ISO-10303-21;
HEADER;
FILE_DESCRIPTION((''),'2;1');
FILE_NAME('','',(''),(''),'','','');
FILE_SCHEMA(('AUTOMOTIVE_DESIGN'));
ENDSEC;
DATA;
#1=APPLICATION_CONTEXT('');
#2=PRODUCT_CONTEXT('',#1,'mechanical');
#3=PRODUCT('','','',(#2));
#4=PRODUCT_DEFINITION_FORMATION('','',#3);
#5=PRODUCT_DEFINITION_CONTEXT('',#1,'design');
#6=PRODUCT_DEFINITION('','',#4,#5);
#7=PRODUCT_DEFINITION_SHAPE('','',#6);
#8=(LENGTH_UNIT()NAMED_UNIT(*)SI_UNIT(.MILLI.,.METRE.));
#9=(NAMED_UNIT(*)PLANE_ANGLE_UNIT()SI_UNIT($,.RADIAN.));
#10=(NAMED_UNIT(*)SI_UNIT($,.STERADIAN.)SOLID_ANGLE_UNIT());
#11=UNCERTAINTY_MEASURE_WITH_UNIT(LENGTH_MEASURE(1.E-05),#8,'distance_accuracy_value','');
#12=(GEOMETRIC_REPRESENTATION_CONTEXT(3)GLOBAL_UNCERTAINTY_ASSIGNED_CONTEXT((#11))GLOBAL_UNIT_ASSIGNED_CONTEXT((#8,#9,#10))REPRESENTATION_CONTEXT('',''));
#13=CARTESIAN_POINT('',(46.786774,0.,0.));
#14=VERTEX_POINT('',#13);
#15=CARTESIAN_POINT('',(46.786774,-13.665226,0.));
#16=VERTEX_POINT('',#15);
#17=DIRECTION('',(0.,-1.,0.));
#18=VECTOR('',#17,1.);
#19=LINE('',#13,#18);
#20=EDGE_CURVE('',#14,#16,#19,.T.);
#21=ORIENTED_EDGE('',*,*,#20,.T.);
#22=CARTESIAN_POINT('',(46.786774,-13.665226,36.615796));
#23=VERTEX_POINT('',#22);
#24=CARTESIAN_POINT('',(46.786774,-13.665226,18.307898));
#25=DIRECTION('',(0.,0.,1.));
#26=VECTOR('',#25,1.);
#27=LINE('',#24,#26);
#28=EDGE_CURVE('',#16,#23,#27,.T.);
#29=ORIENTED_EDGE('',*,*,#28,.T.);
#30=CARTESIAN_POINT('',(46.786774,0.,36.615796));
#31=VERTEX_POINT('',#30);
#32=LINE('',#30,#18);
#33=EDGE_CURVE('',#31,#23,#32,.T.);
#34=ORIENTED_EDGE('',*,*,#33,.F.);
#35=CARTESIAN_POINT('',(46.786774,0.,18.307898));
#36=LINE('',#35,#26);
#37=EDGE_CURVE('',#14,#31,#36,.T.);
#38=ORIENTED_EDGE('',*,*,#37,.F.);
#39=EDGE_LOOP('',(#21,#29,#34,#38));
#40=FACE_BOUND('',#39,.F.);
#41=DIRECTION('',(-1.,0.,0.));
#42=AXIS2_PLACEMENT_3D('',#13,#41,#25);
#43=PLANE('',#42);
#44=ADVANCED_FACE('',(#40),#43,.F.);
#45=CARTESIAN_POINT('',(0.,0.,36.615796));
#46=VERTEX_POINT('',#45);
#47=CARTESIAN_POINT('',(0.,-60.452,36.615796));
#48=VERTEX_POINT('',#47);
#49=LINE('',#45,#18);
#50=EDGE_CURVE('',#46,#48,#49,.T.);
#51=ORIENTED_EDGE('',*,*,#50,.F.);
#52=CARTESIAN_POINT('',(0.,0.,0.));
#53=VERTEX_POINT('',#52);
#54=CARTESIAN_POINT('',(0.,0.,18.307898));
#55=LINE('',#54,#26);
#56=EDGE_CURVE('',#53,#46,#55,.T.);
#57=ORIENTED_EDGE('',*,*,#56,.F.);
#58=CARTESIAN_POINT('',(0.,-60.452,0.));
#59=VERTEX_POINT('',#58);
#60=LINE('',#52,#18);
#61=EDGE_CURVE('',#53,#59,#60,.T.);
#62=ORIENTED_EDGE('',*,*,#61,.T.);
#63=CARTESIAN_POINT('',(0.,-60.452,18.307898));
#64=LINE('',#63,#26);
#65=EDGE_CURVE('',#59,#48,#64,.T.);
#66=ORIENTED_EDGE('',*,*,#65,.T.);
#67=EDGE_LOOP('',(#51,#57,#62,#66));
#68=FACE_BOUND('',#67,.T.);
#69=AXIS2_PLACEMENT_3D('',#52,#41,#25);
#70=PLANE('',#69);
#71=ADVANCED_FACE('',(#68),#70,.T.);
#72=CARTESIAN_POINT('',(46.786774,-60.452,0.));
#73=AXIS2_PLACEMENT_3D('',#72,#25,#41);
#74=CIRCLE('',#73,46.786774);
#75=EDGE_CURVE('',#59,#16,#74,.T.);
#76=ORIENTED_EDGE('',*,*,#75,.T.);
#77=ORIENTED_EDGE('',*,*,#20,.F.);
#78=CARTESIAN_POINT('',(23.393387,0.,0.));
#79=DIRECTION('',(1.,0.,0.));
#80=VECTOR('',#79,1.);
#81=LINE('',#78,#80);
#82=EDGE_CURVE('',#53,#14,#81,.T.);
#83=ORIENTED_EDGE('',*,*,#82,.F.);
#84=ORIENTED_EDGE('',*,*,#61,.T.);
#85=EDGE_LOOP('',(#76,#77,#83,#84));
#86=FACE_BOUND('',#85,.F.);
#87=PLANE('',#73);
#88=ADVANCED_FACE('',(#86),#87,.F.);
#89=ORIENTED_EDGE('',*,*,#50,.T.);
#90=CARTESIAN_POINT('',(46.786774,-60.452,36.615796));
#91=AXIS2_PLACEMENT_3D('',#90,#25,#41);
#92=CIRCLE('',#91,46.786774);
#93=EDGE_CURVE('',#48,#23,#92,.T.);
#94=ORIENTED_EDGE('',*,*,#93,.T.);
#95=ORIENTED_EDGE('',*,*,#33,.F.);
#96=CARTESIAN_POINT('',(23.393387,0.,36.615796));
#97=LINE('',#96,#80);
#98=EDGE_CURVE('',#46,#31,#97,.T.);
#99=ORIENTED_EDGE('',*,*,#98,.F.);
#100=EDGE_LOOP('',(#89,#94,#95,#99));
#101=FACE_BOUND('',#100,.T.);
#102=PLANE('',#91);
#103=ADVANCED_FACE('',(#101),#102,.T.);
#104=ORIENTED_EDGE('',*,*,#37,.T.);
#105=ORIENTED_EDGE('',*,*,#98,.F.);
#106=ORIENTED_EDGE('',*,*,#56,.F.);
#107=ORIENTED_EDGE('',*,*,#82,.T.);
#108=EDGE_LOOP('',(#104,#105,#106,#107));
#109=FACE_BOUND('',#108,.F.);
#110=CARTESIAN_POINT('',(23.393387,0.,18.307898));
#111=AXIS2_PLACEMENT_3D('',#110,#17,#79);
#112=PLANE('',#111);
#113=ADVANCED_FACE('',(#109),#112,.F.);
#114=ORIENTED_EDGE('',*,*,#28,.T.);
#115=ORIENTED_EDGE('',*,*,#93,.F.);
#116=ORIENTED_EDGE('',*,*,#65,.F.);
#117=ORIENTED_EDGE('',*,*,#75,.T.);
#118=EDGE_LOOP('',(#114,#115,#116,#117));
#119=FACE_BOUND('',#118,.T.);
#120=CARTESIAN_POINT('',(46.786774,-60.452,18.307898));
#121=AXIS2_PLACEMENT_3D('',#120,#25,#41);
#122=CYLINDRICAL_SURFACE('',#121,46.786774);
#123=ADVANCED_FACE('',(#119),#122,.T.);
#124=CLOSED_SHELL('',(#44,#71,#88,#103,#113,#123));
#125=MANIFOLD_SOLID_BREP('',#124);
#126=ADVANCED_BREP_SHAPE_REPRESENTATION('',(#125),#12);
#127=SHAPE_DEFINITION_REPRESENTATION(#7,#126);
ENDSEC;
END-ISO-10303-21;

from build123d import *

# Parameters (mm, degrees)
F0_W      = 46.786774
F0_H      = 36.615796
F1_DEPTH  = 60.452
F1_FACE_W = 46.786774
F1_FACE_H = 36.615796


with BuildPart() as f1:
    # F0 (on Front) → F1 (new body)
    with BuildSketch(Plane.XZ):
        with Locations((23.393387, 18.307898)):
            Rectangle(F0_W, F0_H)
    extrude(amount=F1_DEPTH)

    # F1_face (on face) → F2 (revolve)
    with BuildSketch(Plane(origin=(23.393387, -60.452, 18.307898), x_dir=(1, 0, 0), z_dir=(0, -1, 0))):
        Rectangle(F1_FACE_W, F1_FACE_H)
    revolve(axis=Axis((46.786774, -60.452, 18.307898), (0, 0, 1)))


solid = f1.part
